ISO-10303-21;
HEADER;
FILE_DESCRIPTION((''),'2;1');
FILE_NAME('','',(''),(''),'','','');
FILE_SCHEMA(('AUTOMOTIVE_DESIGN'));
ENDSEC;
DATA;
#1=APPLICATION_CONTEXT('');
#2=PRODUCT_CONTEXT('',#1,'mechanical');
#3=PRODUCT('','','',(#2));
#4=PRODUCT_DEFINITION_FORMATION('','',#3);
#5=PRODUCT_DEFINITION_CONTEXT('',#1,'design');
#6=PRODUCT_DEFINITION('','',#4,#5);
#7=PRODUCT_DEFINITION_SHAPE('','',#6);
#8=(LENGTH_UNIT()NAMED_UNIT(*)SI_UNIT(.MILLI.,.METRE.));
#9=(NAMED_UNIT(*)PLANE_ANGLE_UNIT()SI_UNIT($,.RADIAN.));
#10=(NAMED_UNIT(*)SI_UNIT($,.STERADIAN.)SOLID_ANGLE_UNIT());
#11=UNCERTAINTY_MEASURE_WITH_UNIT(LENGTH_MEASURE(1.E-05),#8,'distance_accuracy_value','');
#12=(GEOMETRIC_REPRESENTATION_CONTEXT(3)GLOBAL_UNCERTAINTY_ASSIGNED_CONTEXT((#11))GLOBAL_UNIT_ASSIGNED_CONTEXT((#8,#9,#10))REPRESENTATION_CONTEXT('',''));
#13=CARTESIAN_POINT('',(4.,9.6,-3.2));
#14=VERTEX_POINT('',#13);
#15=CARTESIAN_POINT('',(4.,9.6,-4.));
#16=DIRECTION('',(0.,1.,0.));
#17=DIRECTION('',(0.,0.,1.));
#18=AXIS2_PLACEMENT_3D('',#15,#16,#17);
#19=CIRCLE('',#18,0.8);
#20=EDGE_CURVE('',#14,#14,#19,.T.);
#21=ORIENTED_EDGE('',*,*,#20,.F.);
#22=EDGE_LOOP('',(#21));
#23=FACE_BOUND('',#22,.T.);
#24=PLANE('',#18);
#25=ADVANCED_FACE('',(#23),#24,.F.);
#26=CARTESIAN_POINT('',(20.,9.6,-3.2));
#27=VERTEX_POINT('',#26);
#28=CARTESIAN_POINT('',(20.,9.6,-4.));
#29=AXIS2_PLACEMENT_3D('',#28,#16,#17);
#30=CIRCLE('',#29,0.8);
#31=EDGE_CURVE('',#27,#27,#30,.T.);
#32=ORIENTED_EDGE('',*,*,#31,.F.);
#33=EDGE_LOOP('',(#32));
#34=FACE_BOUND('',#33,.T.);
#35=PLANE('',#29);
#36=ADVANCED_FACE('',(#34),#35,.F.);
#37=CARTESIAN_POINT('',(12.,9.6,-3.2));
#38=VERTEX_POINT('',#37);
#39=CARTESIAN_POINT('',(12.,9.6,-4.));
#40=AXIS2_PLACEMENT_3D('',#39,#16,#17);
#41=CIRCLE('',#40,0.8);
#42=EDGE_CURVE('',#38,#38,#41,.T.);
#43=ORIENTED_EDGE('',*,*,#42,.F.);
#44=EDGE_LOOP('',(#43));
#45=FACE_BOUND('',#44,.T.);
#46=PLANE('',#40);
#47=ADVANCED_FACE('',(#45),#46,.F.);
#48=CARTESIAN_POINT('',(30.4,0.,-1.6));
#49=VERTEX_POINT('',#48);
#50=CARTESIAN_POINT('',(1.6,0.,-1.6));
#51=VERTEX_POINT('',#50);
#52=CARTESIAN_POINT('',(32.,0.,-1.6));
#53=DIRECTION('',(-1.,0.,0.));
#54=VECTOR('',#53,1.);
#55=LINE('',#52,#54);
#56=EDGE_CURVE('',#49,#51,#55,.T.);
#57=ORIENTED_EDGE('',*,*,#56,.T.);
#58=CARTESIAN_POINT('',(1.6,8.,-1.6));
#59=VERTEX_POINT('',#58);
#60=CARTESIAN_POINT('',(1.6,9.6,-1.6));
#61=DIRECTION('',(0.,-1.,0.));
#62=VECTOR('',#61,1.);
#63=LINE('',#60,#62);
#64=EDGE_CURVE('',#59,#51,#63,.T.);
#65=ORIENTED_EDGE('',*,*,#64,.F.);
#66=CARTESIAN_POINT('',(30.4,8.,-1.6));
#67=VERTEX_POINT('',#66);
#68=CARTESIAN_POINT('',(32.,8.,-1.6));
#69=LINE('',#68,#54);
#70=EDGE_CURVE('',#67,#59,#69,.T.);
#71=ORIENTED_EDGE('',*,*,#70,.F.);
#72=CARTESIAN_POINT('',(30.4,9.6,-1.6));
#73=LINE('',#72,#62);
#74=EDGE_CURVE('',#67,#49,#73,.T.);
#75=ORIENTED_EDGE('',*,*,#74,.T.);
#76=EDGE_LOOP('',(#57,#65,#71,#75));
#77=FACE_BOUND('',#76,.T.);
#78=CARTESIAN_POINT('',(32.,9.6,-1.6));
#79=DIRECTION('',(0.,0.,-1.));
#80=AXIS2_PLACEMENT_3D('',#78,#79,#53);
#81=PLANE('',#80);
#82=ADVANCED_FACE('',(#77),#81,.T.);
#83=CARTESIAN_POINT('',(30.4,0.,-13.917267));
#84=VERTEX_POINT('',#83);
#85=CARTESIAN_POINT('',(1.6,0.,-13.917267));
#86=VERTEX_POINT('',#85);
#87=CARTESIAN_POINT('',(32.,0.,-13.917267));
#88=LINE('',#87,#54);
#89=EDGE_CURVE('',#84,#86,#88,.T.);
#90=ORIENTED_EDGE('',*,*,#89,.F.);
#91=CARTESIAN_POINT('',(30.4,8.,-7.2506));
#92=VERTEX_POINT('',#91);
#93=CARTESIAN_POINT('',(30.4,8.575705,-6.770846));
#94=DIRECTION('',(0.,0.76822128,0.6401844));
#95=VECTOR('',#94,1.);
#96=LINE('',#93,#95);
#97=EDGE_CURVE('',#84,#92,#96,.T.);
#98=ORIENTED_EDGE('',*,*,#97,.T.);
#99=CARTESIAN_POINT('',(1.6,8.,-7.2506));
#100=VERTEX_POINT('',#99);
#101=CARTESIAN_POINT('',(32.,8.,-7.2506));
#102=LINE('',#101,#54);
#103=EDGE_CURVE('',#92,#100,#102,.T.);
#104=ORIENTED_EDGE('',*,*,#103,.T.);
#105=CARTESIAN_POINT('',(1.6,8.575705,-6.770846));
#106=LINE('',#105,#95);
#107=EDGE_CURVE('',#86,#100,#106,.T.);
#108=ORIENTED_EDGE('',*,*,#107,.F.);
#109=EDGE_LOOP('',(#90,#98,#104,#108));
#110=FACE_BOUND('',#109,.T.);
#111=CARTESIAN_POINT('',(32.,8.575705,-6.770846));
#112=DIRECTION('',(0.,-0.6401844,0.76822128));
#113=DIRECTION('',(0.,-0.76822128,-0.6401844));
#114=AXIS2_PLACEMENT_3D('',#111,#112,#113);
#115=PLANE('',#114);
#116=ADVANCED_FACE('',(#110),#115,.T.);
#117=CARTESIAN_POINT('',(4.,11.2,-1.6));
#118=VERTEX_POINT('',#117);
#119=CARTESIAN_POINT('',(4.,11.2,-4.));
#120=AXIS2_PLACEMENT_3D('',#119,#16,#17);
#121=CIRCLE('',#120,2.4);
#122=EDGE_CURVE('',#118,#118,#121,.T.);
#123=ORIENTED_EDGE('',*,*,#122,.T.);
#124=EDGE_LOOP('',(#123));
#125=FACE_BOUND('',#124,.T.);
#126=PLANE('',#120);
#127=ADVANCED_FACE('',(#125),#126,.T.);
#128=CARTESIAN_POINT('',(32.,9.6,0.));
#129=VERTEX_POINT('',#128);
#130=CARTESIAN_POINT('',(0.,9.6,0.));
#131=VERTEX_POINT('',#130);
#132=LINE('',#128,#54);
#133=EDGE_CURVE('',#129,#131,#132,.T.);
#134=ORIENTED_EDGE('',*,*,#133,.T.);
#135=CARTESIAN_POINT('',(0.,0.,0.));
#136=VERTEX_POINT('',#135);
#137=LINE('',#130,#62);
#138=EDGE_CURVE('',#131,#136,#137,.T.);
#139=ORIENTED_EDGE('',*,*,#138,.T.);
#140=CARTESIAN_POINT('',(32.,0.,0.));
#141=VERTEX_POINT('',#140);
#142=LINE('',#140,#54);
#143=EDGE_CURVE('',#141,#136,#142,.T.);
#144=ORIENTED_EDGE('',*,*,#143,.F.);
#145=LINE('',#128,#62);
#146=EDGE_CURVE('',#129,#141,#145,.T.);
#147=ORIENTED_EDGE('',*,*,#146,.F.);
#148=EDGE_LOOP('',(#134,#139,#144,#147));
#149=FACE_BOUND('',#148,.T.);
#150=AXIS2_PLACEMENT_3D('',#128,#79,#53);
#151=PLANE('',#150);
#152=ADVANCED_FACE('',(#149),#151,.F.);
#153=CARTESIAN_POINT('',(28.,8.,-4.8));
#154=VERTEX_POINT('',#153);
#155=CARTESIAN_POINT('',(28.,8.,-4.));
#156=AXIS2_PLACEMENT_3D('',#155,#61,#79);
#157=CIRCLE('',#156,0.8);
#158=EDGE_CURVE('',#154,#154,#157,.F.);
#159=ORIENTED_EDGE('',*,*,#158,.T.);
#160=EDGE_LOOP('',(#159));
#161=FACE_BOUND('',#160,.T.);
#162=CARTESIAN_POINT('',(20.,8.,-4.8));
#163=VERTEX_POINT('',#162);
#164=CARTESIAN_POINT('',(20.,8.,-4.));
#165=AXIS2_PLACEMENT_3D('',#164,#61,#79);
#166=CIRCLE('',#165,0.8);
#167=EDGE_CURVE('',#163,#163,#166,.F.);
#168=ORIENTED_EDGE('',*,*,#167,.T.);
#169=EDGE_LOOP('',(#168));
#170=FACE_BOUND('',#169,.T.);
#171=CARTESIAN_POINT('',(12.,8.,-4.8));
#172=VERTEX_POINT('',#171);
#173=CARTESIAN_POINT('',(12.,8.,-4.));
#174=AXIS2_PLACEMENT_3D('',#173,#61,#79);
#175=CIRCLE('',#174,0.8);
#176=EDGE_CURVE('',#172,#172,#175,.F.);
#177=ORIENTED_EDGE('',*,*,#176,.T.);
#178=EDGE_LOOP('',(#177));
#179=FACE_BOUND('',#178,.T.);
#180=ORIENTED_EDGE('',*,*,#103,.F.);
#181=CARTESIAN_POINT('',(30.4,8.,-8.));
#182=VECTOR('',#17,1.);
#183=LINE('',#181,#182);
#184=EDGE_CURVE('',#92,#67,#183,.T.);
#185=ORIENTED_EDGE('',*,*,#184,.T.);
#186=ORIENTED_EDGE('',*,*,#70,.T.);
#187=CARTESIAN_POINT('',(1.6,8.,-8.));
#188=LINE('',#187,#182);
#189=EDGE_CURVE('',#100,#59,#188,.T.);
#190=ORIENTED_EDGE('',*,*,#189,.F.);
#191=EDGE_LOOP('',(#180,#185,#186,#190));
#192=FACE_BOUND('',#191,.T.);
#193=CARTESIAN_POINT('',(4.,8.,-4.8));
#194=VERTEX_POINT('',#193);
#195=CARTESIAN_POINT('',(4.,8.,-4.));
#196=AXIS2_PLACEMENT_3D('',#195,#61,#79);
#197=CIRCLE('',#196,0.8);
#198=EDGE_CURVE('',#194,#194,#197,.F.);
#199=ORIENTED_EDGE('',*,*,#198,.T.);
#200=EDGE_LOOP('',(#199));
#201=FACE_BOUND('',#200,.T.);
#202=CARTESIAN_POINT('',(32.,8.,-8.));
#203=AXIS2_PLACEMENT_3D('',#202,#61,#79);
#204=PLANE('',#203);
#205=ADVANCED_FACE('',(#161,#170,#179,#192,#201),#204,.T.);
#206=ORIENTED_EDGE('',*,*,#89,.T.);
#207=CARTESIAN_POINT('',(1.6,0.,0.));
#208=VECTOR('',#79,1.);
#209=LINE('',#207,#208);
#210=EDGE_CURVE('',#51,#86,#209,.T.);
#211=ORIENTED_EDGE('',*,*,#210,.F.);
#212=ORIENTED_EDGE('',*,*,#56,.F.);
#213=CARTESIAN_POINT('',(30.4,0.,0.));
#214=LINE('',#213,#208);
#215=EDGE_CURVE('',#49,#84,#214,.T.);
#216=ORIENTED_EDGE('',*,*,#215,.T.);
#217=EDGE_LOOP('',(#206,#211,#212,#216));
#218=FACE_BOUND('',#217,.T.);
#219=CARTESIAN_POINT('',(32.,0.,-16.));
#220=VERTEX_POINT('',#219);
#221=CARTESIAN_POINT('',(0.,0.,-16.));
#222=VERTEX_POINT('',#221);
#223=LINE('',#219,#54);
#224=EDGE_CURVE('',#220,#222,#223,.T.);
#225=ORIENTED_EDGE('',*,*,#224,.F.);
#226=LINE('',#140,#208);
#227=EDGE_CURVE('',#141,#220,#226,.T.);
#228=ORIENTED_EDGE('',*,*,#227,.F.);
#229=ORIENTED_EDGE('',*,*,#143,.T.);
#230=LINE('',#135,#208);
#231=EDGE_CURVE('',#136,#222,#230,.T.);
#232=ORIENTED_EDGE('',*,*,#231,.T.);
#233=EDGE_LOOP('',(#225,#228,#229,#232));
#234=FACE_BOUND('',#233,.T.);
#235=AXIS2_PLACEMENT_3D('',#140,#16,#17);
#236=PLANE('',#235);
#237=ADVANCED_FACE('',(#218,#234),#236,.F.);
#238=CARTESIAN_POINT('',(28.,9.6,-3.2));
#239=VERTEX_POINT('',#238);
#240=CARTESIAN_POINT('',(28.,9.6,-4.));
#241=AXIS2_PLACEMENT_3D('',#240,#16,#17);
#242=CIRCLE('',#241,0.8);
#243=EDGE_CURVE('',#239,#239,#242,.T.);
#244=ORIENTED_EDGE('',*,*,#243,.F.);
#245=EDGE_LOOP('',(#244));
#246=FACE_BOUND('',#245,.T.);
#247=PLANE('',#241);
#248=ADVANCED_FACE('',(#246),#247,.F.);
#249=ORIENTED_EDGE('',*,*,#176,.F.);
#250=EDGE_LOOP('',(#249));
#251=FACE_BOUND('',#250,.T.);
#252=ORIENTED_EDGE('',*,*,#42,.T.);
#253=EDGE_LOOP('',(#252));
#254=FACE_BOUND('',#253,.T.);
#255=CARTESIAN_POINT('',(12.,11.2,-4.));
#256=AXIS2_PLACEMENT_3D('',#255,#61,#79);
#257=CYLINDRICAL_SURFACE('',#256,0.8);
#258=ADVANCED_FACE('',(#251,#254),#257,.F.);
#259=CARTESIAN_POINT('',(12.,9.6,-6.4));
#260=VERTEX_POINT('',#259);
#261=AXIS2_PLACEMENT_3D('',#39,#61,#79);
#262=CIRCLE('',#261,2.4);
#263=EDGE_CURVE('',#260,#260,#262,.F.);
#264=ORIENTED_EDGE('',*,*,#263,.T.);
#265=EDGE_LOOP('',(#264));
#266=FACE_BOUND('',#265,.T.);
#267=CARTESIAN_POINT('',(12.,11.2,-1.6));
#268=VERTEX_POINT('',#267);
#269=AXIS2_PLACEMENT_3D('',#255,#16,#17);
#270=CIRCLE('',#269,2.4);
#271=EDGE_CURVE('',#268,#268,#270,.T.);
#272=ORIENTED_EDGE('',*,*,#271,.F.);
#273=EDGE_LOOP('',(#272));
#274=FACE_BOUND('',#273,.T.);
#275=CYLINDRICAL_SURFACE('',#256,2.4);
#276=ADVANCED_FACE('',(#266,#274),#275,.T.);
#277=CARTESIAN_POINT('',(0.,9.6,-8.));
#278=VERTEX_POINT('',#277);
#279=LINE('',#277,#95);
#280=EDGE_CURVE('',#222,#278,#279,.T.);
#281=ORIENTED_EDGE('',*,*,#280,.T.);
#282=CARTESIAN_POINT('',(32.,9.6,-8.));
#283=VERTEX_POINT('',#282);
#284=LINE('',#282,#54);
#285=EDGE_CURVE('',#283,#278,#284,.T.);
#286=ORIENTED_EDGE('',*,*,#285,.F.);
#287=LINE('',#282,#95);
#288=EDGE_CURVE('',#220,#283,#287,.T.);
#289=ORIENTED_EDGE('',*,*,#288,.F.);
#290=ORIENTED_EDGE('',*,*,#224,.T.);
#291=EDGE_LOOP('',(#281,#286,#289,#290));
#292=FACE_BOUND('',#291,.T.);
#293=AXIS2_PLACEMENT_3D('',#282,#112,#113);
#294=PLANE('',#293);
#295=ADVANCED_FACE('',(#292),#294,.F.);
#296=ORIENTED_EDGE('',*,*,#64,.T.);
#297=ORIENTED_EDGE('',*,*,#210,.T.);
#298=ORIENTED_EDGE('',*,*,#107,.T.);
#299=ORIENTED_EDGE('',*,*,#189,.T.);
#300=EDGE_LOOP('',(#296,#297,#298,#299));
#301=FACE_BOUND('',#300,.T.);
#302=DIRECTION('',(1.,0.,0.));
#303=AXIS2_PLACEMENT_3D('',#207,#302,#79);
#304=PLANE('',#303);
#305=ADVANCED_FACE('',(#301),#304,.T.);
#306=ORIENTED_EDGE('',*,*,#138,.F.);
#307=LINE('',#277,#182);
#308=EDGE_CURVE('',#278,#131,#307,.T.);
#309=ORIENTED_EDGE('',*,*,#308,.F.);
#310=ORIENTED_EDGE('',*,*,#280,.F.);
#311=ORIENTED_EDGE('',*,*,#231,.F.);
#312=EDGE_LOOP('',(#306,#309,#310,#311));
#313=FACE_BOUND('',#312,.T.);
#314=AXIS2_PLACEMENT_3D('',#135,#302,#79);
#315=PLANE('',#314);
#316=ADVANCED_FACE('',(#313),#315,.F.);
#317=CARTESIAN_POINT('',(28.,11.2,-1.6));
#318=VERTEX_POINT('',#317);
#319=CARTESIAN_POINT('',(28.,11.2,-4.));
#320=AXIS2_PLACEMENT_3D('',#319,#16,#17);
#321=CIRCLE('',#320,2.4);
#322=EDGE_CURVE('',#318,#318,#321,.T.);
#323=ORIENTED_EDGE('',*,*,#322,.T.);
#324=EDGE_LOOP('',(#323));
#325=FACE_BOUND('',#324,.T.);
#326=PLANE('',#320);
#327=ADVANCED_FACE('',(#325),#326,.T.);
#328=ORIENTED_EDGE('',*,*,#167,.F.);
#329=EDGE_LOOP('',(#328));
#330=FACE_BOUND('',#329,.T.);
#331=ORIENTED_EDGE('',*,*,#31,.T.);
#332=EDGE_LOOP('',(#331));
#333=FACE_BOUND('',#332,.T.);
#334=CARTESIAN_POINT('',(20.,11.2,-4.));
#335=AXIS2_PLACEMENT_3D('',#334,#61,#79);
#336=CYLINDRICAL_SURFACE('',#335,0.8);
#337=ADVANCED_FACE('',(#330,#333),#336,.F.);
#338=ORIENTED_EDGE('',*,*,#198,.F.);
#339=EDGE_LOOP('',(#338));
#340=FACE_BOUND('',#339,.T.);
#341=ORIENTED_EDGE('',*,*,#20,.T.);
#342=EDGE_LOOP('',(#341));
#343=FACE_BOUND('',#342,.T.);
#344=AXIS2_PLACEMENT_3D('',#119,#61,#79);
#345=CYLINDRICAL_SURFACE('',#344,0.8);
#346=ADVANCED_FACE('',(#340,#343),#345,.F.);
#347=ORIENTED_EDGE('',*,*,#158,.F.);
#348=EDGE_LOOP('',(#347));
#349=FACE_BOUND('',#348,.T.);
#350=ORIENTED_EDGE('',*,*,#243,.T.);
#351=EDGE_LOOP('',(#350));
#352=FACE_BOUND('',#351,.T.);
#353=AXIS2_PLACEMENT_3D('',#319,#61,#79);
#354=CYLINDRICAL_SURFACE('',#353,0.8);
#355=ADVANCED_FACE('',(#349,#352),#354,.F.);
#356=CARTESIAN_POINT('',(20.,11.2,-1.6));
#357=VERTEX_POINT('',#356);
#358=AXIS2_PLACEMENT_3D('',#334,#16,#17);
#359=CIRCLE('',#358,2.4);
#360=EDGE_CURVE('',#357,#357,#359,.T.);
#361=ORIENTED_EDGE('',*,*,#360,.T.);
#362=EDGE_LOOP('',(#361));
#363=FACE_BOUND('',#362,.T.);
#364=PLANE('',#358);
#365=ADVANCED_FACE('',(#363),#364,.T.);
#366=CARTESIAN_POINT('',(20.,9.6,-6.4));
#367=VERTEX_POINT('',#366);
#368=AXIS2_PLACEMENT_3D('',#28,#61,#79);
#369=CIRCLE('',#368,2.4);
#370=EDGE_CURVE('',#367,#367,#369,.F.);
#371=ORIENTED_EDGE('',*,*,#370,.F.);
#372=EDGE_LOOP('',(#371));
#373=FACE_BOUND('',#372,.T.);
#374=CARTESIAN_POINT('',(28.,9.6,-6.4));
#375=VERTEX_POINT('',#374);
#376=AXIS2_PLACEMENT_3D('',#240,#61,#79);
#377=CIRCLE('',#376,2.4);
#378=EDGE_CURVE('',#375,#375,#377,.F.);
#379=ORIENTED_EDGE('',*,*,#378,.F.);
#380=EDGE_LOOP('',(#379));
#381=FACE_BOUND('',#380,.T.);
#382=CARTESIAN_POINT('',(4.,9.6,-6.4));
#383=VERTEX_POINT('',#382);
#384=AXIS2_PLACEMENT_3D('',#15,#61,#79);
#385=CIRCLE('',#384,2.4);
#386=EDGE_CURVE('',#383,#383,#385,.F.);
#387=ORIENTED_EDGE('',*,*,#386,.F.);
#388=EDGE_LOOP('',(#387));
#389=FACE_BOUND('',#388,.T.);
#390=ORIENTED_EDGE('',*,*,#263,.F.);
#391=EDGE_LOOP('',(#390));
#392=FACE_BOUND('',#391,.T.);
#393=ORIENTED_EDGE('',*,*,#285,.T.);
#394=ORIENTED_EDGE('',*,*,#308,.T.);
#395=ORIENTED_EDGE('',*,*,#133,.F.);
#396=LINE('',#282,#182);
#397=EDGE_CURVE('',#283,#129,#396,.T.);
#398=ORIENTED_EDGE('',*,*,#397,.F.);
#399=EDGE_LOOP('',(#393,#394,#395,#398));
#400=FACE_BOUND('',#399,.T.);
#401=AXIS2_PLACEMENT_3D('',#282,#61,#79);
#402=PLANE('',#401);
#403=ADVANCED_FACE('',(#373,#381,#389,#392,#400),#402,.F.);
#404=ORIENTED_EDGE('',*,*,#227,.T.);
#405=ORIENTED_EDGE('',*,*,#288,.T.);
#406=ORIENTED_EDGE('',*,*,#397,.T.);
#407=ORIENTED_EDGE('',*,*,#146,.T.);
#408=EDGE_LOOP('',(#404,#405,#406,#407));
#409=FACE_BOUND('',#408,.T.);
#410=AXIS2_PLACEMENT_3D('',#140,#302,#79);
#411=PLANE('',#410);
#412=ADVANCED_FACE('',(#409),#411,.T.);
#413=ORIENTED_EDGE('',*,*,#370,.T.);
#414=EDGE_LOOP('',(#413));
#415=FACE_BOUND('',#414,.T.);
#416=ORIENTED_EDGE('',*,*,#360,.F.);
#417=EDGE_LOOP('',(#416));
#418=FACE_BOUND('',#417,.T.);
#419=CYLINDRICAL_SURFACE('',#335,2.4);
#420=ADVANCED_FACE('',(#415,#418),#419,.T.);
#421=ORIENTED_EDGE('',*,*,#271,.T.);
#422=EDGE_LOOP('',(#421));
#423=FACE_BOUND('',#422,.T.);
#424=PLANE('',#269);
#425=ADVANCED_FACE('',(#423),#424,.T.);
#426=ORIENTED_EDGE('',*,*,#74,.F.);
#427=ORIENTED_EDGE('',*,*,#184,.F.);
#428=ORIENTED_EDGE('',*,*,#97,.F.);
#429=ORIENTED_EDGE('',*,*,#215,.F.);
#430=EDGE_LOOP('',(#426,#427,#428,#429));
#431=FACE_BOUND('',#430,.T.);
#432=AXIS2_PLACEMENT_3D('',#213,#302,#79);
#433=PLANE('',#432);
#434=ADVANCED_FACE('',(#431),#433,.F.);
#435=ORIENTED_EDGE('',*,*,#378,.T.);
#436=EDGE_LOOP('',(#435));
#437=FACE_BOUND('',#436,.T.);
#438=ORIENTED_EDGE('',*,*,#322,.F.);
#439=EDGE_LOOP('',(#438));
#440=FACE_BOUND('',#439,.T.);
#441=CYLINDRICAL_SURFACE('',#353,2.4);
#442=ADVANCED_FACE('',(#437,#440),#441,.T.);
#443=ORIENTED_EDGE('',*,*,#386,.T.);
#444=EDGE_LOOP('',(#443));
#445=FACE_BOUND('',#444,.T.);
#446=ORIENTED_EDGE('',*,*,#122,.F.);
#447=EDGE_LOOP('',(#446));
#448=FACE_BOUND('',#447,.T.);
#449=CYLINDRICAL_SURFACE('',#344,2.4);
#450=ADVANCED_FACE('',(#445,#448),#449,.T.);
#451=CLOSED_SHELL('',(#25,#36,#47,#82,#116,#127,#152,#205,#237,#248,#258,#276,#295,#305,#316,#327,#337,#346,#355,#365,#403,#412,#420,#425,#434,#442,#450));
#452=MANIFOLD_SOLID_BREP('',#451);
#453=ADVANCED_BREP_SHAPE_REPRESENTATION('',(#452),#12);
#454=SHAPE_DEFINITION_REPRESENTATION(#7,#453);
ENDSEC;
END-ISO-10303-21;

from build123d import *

# Parameters (mm, degrees)
BOSS_EXTRUDE1_DEPTH = 32
SKETCH2_R           = 2.4
BOSS_EXTRUDE2_DEPTH = 1.6
LPATTERN1_COUNT     = 4
LPATTERN1_PITCH     = 8
SHELL1_T            = -1.6


with BuildPart() as part:
    # Sketch1 → Boss-Extrude1 (new body)
    with BuildSketch(Plane(origin=(0, 0, 0), x_dir=(0, 0, -1), z_dir=(1, 0, 0))):
        Polygon((0, 0), (16, 0), (8, 9.6), (0, 9.6), align=None)
    extrude(amount=BOSS_EXTRUDE1_DEPTH)

    # Sketch2 → Boss-Extrude2 (add)
    with BuildSketch(Plane(origin=(0, 9.6, 0), x_dir=(1, 0, 0), z_dir=(0, 1, 0))):
        with Locations(Location((4, 4, 0), (0, 0, 90))):
            Circle(SKETCH2_R)
    boss_extrude2 = extrude(amount=BOSS_EXTRUDE2_DEPTH)

    # LPattern1: Boss-Extrude2 ×4
    with Locations(*[(i * LPATTERN1_PITCH, 0, 0) for i in range(1, LPATTERN1_COUNT)]):
        add(boss_extrude2)

    # Shell1
    shell1_openings = [part.faces().sort_by_distance(p)[0] for p in [
        (16, 0, -8),
    ]]
    offset(amount=SHELL1_T, openings=shell1_openings, kind=Kind.INTERSECTION)


solid = part.part
